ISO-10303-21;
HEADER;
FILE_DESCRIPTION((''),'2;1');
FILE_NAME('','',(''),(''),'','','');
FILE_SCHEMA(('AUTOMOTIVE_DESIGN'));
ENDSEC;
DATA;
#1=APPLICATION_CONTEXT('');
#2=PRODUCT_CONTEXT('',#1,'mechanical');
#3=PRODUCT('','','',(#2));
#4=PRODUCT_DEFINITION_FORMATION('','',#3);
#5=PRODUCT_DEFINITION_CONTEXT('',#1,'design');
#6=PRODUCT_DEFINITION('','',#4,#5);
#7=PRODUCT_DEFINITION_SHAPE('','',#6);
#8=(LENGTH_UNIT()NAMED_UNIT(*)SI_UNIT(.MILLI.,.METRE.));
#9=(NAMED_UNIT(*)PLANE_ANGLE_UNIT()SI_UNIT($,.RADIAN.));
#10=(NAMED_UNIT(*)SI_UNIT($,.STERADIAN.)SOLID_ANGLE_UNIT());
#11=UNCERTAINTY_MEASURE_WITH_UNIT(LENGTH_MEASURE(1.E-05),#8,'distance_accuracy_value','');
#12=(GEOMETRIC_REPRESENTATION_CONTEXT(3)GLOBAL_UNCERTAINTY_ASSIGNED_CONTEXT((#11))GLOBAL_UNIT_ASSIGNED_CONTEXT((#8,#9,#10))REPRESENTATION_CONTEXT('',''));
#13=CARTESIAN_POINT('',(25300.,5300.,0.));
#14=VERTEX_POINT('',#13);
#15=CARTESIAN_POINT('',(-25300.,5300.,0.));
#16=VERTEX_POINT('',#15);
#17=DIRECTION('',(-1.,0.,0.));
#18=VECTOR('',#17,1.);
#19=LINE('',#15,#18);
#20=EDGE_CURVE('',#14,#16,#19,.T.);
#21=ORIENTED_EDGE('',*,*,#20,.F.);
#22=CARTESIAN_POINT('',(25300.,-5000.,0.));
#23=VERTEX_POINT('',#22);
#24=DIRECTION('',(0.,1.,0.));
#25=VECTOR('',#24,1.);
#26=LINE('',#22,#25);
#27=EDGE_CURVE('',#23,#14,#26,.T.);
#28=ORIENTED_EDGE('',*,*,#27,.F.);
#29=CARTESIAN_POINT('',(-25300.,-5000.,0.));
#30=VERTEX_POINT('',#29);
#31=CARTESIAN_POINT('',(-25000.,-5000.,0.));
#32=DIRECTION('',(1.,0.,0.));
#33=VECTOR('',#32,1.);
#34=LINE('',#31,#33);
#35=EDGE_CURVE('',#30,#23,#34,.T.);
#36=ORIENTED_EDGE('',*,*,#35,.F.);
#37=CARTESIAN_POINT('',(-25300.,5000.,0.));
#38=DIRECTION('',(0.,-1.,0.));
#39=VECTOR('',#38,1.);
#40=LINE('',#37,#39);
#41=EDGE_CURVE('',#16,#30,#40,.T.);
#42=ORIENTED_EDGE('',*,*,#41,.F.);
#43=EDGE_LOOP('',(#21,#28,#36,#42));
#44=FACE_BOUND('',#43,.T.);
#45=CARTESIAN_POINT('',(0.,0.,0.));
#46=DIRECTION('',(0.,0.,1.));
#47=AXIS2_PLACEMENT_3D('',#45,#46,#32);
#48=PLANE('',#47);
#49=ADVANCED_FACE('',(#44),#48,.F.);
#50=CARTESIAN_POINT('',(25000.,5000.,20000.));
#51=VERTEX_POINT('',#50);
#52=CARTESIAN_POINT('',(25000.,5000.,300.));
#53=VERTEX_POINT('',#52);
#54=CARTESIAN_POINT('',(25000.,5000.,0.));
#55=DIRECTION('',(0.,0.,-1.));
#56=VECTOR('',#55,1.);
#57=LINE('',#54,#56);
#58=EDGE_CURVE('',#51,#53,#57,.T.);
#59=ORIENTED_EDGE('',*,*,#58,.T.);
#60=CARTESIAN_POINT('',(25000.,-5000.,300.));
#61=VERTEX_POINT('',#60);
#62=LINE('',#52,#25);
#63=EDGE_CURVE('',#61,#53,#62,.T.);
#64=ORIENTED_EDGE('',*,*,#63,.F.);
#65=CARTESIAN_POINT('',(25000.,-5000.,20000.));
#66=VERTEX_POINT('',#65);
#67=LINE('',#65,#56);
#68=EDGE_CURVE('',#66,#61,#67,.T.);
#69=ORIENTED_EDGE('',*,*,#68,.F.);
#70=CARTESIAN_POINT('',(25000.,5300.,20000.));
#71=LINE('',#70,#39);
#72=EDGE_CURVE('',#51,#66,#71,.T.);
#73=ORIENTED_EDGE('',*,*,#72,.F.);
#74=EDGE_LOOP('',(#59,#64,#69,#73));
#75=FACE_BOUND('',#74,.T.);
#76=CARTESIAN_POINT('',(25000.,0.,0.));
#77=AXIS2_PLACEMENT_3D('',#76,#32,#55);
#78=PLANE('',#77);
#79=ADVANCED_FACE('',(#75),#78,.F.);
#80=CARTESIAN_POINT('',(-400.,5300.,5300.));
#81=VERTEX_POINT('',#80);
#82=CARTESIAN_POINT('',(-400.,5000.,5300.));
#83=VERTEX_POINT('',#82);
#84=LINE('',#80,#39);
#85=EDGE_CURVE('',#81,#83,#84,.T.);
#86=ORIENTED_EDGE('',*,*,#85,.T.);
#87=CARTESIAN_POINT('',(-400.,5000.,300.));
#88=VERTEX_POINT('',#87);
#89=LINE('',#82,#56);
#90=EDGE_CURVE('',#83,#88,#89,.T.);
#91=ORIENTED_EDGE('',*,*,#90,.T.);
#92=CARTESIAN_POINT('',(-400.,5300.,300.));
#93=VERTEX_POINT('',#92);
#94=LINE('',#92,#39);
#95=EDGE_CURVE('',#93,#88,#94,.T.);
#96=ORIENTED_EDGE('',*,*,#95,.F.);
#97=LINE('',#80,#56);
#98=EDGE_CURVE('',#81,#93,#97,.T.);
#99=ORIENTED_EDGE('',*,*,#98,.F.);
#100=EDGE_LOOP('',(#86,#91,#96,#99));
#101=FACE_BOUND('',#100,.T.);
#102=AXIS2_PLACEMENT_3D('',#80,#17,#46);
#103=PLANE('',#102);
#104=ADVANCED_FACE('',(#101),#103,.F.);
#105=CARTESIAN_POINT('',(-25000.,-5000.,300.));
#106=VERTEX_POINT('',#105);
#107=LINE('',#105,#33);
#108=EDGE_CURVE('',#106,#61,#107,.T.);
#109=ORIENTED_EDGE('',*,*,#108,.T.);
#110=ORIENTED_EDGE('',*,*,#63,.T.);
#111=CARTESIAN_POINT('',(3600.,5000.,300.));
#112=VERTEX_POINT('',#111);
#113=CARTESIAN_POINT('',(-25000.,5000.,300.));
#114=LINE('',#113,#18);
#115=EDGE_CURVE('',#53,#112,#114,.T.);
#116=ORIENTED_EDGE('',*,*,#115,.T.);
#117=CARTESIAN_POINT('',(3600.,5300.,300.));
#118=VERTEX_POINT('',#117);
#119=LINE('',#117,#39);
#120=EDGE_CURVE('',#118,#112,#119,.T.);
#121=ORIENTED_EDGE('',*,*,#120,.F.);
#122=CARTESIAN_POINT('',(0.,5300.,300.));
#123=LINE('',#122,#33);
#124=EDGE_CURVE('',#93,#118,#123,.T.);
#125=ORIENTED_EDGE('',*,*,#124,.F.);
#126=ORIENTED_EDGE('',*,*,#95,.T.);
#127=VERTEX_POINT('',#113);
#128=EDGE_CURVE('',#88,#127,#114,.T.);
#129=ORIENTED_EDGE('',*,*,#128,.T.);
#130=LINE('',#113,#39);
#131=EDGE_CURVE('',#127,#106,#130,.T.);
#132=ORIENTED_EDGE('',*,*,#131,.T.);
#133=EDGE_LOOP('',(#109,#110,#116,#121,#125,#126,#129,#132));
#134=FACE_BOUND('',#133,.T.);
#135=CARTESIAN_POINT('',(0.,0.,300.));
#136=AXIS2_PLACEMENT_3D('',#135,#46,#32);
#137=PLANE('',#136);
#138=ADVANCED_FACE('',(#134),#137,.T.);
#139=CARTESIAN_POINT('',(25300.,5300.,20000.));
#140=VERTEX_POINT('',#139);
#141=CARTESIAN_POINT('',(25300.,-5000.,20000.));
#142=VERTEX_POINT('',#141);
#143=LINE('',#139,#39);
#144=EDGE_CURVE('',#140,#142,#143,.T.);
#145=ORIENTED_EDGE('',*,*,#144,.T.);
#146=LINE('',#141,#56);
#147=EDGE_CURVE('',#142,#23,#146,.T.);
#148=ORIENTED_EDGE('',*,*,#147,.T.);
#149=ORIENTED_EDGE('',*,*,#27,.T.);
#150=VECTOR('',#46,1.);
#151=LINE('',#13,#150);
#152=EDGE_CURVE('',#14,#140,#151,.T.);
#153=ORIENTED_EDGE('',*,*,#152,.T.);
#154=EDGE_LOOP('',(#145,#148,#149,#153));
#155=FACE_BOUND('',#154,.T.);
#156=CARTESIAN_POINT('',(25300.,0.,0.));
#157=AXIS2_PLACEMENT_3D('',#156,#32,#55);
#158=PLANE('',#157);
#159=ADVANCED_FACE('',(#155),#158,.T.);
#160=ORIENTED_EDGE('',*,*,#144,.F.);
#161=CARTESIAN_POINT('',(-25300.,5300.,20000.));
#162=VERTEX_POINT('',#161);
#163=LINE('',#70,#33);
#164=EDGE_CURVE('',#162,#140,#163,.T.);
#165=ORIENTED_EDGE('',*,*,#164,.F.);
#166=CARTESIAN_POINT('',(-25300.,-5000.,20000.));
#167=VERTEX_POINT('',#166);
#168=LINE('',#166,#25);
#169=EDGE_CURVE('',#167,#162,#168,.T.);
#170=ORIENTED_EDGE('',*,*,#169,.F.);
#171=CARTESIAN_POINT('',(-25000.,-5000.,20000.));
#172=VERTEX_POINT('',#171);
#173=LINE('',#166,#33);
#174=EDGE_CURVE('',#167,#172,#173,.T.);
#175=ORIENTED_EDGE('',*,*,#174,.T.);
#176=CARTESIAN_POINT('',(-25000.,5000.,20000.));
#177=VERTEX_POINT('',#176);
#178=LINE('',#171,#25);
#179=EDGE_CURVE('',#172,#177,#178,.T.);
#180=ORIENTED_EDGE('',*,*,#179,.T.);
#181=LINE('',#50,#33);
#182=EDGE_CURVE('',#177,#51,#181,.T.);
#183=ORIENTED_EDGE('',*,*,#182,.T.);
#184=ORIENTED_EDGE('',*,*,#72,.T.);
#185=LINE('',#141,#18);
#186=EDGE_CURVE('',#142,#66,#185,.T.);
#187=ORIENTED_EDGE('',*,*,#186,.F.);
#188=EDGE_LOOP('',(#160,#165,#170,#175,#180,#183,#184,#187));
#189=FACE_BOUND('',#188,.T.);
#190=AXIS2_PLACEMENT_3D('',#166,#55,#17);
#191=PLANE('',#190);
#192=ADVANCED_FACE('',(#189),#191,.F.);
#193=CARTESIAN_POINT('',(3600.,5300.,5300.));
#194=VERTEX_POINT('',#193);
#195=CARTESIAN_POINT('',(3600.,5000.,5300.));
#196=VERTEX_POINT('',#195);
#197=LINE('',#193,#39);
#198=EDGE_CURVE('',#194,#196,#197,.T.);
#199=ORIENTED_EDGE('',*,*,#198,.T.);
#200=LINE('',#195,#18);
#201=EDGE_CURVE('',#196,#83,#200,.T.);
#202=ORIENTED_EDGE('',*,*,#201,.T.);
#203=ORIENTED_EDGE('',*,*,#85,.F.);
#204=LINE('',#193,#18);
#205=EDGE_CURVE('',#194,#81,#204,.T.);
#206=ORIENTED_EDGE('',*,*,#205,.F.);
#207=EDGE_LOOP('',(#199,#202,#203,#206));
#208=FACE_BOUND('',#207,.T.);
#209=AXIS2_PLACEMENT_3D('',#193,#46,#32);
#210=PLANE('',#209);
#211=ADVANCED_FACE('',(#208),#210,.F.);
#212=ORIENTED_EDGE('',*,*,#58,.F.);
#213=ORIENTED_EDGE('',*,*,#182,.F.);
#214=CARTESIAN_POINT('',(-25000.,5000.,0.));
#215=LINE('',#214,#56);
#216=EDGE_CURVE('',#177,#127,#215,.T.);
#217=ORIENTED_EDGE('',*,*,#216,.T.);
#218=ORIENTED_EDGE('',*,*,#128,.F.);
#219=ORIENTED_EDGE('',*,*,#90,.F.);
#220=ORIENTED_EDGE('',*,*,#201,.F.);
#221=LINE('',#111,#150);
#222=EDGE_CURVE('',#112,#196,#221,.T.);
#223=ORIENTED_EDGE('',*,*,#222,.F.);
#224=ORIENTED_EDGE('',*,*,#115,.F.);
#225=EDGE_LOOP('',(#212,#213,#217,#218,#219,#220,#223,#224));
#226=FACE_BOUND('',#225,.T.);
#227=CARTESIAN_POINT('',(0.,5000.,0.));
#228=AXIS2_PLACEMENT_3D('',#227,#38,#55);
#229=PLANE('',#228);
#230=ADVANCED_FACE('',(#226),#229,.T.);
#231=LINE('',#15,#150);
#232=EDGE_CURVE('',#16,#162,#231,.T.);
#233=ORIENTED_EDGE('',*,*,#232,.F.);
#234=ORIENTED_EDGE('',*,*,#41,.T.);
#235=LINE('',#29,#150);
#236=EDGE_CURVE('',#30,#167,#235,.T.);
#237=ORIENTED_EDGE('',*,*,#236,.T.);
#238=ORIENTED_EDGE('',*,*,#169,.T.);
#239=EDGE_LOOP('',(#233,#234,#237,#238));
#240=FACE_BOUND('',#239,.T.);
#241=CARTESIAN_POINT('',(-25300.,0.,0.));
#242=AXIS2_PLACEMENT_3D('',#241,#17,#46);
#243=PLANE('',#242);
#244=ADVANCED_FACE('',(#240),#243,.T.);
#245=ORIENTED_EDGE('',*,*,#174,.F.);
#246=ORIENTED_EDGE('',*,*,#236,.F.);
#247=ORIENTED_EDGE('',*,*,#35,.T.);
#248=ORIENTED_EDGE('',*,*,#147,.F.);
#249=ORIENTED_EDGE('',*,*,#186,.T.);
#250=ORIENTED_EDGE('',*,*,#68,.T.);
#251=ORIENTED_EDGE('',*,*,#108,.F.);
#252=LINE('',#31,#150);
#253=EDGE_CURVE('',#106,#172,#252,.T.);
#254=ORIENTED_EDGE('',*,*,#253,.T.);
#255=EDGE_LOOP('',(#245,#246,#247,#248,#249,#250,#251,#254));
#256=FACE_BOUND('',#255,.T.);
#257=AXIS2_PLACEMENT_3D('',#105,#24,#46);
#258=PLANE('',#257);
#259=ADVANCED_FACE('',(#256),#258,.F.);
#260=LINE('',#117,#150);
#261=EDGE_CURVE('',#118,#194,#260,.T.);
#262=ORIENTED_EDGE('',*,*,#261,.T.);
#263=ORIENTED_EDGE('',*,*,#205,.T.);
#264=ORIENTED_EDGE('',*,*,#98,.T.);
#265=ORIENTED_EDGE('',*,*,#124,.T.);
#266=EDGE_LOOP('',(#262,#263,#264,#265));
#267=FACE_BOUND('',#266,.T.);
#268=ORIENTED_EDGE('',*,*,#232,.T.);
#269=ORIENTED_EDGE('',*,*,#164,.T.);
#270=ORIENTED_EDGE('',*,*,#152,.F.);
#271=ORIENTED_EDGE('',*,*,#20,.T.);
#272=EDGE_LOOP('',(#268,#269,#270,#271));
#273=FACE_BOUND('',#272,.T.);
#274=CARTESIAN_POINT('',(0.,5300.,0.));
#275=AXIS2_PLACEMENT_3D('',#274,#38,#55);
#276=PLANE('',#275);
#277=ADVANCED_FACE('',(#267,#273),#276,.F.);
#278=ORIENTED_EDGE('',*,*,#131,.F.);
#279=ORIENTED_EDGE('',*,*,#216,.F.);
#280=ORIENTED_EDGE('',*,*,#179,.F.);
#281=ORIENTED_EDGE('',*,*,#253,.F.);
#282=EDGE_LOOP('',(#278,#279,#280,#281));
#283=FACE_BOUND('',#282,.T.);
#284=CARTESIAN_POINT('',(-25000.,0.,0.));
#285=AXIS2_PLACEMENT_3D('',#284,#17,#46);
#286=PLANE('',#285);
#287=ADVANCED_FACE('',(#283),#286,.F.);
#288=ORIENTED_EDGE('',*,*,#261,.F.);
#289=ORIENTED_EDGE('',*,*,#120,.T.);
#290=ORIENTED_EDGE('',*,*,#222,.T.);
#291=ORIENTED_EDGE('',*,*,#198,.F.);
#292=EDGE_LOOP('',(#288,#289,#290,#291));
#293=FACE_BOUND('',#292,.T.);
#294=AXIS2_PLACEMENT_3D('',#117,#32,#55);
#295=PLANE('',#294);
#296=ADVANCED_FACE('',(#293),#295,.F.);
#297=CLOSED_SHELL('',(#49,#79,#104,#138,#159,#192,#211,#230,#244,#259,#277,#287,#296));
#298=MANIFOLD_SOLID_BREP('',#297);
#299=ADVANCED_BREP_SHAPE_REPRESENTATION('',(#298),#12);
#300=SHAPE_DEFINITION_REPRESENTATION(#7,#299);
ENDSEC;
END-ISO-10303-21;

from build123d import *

# Parameters (mm, degrees)
SKETCH_1_W          = 50000
SKETCH_1_H          = 10000
EXTRUDE_1_DEPTH     = 300
SKETCH_3_W          = 20000
SKETCH_3_H          = 10000
EXTRUDE_2_DEPTH     = 300
SKETCH_4_W          = 50300
SKETCH_4_H          = 20000
EXTRUDE_3_DEPTH     = 300
SKETCH_5_W          = 20000
SKETCH_5_H          = 10300
EXTRUDE_4_DEPTH     = 300
CUT_EXTRUDE_1_DEPTH = 300


with BuildPart() as part:
    # 草图1 → 凸台-拉伸1 (new body)
    with BuildSketch(Plane.XY):
        Rectangle(SKETCH_1_W, SKETCH_1_H)
    extrude(amount=EXTRUDE_1_DEPTH)

    # 草图3 → 凸台-拉伸2 (add)
    with BuildSketch(Plane.ZY.offset(25000)):
        with Locations((10000, 0)):
            Rectangle(SKETCH_3_W, SKETCH_3_H)
    extrude(amount=EXTRUDE_2_DEPTH)

    # 草图4 → 凸台-拉伸3 (add)
    with BuildSketch(Plane(origin=(0, 5000, 0), x_dir=(1, 0, 0), z_dir=(0, 1, 0))):
        with Locations((-150, -10000)):
            Rectangle(SKETCH_4_W, SKETCH_4_H)
    extrude(amount=EXTRUDE_3_DEPTH)

    # 草图5 → 凸台-拉伸4 (add)
    with BuildSketch(Plane(origin=(25000, 0, 0), x_dir=(0, 0, -1), z_dir=(1, 0, 0))):
        with Locations((-10000, 150)):
            Rectangle(SKETCH_5_W, SKETCH_5_H)
    extrude(amount=EXTRUDE_4_DEPTH)

    # 草图6 → 切除-拉伸1 (cut)
    with BuildSketch(Plane.XZ.offset(-5000)):
        Polygon((0, 300), (-400, 300), (-400, 5300), (3600, 5300), (3600, 300), align=None)
    extrude(amount=-CUT_EXTRUDE_1_DEPTH, mode=Mode.SUBTRACT)


solid = part.part
